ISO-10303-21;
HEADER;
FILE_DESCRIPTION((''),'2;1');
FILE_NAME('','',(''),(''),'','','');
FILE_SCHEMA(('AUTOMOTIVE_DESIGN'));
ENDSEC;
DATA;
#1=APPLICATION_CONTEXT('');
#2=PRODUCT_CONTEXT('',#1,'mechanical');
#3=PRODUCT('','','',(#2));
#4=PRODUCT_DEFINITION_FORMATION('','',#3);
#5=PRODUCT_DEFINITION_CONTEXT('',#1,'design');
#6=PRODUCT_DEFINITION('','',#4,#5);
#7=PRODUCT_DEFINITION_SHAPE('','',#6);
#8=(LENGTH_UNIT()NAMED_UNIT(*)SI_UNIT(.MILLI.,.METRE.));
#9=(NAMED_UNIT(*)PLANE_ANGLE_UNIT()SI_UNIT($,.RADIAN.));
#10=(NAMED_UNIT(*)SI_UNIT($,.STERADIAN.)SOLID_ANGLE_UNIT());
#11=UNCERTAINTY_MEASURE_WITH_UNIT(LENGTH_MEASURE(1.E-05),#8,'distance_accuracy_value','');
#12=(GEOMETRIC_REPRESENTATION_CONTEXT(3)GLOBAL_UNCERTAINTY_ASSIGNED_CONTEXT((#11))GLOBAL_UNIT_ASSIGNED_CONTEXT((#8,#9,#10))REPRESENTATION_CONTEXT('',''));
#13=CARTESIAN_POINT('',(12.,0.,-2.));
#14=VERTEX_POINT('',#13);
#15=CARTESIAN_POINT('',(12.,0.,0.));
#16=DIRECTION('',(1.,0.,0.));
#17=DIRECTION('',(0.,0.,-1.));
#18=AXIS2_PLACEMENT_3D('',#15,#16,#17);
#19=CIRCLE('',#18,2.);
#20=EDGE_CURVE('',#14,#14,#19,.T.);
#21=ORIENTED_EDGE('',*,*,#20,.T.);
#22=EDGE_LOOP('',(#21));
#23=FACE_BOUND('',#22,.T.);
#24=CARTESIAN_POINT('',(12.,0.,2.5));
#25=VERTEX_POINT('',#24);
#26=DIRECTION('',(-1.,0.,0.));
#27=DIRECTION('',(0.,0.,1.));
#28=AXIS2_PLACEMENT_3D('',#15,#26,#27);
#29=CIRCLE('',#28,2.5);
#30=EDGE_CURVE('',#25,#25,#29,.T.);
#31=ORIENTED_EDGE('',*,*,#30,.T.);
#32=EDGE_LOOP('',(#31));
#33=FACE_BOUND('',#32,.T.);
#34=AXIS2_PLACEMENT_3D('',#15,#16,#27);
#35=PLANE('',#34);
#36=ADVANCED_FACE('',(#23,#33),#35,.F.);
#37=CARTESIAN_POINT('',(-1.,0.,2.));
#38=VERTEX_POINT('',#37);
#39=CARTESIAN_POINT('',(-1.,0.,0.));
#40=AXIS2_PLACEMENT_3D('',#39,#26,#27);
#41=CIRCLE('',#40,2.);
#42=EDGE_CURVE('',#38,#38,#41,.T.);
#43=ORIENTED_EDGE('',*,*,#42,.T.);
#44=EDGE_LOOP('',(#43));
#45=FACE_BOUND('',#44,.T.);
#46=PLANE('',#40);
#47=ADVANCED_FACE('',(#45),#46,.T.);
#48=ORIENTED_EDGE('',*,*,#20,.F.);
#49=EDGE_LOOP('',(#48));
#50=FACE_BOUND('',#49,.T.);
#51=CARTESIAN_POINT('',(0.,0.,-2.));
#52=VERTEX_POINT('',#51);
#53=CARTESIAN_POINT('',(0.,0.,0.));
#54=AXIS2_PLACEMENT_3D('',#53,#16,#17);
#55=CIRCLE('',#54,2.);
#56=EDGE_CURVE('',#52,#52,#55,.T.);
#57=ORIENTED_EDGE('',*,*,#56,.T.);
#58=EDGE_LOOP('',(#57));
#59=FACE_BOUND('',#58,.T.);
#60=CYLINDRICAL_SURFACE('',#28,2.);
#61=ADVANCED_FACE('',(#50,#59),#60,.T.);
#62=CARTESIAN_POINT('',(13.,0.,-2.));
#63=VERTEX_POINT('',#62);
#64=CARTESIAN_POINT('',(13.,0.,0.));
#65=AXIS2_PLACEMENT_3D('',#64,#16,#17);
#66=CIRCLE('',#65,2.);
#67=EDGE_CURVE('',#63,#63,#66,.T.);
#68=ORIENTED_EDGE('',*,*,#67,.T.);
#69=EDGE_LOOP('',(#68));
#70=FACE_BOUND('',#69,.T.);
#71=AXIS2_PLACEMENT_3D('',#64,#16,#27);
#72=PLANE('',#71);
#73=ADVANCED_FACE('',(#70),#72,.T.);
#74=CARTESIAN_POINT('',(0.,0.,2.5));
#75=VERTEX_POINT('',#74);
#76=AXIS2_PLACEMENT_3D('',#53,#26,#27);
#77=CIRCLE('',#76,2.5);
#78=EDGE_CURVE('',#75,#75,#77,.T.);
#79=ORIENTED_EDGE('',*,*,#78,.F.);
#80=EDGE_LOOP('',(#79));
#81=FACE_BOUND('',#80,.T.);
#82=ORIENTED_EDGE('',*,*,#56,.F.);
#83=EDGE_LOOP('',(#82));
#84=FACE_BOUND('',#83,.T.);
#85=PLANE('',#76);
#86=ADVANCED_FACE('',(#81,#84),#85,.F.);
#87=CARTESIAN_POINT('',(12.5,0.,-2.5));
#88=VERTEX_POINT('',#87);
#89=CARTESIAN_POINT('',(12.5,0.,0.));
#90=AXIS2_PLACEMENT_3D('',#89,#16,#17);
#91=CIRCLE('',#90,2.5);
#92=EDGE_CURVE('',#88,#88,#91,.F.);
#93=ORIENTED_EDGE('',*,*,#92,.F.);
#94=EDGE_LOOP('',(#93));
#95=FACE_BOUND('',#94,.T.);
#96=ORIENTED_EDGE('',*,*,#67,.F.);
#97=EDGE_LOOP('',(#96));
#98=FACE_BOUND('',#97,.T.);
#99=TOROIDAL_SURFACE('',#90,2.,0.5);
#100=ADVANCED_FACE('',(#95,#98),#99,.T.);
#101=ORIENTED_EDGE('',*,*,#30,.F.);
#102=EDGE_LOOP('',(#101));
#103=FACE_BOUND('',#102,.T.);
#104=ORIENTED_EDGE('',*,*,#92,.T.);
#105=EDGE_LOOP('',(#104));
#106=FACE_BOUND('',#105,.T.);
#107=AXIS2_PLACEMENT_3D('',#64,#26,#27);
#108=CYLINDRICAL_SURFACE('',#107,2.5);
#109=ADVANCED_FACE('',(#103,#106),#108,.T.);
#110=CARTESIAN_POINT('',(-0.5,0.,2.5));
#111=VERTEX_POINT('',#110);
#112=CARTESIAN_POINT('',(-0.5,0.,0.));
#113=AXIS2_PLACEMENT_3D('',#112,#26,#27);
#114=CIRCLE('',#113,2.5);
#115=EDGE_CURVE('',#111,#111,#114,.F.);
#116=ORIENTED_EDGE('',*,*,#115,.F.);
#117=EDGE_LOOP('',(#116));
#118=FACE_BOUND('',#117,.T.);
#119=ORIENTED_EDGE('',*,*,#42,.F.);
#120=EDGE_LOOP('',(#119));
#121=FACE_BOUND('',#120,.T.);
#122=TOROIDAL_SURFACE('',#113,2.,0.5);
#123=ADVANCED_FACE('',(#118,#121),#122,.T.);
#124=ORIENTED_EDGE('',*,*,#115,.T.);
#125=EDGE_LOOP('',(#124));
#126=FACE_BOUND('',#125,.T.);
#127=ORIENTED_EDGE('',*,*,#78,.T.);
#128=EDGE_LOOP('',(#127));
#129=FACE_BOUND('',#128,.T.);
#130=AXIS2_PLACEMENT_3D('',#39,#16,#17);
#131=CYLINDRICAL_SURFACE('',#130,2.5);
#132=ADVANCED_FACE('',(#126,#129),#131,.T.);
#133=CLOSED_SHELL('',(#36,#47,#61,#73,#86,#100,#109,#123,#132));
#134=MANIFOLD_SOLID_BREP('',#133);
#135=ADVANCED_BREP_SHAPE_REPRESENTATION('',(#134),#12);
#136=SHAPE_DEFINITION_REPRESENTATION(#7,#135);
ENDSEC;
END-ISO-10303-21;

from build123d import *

# Parameters (mm, degrees)
SKETCH1_R            = 2
BOSS_EXTRUDE1_DEPTH  = 12
SKETCH2_R            = 2.5
BOSS_EXTRUDE2_DEPTH  = 1
FILLET1_R            = 0.5
FILLET1_OF_MIRROR1_R = 0.5


with BuildPart() as part:
    # Sketch1 → Boss-Extrude1 (new body)
    with BuildSketch(Plane(origin=(0, 0, 0), x_dir=(0, 0, -1), z_dir=(1, 0, 0))):
        Circle(SKETCH1_R)
    extrude(amount=BOSS_EXTRUDE1_DEPTH)

    # Sketch2 → Boss-Extrude2 (add)
    with BuildSketch(Plane.ZY):
        Circle(SKETCH2_R)
    boss_extrude2 = extrude(amount=BOSS_EXTRUDE2_DEPTH)

    # Fillet1
    fillet1_edges = [part.edges().sort_by_distance(p)[0] for p in [
        (-1, 0, -2.5),
    ]]
    fillet(fillet1_edges, radius=FILLET1_R)

    # Mirror1: Boss-Extrude2 across plane
    add(boss_extrude2.mirror(Plane(origin=(6, 0, 0), x_dir=(0, 0, 1), z_dir=(1, 0, 0))))

    # Fillet1 of Mirror1
    fillet1_of_mirror1_edges = [part.edges().sort_by_distance(p)[0] for p in [
        (13, 0, -2.5),
    ]]
    fillet(fillet1_of_mirror1_edges, radius=FILLET1_OF_MIRROR1_R)


solid = part.part
